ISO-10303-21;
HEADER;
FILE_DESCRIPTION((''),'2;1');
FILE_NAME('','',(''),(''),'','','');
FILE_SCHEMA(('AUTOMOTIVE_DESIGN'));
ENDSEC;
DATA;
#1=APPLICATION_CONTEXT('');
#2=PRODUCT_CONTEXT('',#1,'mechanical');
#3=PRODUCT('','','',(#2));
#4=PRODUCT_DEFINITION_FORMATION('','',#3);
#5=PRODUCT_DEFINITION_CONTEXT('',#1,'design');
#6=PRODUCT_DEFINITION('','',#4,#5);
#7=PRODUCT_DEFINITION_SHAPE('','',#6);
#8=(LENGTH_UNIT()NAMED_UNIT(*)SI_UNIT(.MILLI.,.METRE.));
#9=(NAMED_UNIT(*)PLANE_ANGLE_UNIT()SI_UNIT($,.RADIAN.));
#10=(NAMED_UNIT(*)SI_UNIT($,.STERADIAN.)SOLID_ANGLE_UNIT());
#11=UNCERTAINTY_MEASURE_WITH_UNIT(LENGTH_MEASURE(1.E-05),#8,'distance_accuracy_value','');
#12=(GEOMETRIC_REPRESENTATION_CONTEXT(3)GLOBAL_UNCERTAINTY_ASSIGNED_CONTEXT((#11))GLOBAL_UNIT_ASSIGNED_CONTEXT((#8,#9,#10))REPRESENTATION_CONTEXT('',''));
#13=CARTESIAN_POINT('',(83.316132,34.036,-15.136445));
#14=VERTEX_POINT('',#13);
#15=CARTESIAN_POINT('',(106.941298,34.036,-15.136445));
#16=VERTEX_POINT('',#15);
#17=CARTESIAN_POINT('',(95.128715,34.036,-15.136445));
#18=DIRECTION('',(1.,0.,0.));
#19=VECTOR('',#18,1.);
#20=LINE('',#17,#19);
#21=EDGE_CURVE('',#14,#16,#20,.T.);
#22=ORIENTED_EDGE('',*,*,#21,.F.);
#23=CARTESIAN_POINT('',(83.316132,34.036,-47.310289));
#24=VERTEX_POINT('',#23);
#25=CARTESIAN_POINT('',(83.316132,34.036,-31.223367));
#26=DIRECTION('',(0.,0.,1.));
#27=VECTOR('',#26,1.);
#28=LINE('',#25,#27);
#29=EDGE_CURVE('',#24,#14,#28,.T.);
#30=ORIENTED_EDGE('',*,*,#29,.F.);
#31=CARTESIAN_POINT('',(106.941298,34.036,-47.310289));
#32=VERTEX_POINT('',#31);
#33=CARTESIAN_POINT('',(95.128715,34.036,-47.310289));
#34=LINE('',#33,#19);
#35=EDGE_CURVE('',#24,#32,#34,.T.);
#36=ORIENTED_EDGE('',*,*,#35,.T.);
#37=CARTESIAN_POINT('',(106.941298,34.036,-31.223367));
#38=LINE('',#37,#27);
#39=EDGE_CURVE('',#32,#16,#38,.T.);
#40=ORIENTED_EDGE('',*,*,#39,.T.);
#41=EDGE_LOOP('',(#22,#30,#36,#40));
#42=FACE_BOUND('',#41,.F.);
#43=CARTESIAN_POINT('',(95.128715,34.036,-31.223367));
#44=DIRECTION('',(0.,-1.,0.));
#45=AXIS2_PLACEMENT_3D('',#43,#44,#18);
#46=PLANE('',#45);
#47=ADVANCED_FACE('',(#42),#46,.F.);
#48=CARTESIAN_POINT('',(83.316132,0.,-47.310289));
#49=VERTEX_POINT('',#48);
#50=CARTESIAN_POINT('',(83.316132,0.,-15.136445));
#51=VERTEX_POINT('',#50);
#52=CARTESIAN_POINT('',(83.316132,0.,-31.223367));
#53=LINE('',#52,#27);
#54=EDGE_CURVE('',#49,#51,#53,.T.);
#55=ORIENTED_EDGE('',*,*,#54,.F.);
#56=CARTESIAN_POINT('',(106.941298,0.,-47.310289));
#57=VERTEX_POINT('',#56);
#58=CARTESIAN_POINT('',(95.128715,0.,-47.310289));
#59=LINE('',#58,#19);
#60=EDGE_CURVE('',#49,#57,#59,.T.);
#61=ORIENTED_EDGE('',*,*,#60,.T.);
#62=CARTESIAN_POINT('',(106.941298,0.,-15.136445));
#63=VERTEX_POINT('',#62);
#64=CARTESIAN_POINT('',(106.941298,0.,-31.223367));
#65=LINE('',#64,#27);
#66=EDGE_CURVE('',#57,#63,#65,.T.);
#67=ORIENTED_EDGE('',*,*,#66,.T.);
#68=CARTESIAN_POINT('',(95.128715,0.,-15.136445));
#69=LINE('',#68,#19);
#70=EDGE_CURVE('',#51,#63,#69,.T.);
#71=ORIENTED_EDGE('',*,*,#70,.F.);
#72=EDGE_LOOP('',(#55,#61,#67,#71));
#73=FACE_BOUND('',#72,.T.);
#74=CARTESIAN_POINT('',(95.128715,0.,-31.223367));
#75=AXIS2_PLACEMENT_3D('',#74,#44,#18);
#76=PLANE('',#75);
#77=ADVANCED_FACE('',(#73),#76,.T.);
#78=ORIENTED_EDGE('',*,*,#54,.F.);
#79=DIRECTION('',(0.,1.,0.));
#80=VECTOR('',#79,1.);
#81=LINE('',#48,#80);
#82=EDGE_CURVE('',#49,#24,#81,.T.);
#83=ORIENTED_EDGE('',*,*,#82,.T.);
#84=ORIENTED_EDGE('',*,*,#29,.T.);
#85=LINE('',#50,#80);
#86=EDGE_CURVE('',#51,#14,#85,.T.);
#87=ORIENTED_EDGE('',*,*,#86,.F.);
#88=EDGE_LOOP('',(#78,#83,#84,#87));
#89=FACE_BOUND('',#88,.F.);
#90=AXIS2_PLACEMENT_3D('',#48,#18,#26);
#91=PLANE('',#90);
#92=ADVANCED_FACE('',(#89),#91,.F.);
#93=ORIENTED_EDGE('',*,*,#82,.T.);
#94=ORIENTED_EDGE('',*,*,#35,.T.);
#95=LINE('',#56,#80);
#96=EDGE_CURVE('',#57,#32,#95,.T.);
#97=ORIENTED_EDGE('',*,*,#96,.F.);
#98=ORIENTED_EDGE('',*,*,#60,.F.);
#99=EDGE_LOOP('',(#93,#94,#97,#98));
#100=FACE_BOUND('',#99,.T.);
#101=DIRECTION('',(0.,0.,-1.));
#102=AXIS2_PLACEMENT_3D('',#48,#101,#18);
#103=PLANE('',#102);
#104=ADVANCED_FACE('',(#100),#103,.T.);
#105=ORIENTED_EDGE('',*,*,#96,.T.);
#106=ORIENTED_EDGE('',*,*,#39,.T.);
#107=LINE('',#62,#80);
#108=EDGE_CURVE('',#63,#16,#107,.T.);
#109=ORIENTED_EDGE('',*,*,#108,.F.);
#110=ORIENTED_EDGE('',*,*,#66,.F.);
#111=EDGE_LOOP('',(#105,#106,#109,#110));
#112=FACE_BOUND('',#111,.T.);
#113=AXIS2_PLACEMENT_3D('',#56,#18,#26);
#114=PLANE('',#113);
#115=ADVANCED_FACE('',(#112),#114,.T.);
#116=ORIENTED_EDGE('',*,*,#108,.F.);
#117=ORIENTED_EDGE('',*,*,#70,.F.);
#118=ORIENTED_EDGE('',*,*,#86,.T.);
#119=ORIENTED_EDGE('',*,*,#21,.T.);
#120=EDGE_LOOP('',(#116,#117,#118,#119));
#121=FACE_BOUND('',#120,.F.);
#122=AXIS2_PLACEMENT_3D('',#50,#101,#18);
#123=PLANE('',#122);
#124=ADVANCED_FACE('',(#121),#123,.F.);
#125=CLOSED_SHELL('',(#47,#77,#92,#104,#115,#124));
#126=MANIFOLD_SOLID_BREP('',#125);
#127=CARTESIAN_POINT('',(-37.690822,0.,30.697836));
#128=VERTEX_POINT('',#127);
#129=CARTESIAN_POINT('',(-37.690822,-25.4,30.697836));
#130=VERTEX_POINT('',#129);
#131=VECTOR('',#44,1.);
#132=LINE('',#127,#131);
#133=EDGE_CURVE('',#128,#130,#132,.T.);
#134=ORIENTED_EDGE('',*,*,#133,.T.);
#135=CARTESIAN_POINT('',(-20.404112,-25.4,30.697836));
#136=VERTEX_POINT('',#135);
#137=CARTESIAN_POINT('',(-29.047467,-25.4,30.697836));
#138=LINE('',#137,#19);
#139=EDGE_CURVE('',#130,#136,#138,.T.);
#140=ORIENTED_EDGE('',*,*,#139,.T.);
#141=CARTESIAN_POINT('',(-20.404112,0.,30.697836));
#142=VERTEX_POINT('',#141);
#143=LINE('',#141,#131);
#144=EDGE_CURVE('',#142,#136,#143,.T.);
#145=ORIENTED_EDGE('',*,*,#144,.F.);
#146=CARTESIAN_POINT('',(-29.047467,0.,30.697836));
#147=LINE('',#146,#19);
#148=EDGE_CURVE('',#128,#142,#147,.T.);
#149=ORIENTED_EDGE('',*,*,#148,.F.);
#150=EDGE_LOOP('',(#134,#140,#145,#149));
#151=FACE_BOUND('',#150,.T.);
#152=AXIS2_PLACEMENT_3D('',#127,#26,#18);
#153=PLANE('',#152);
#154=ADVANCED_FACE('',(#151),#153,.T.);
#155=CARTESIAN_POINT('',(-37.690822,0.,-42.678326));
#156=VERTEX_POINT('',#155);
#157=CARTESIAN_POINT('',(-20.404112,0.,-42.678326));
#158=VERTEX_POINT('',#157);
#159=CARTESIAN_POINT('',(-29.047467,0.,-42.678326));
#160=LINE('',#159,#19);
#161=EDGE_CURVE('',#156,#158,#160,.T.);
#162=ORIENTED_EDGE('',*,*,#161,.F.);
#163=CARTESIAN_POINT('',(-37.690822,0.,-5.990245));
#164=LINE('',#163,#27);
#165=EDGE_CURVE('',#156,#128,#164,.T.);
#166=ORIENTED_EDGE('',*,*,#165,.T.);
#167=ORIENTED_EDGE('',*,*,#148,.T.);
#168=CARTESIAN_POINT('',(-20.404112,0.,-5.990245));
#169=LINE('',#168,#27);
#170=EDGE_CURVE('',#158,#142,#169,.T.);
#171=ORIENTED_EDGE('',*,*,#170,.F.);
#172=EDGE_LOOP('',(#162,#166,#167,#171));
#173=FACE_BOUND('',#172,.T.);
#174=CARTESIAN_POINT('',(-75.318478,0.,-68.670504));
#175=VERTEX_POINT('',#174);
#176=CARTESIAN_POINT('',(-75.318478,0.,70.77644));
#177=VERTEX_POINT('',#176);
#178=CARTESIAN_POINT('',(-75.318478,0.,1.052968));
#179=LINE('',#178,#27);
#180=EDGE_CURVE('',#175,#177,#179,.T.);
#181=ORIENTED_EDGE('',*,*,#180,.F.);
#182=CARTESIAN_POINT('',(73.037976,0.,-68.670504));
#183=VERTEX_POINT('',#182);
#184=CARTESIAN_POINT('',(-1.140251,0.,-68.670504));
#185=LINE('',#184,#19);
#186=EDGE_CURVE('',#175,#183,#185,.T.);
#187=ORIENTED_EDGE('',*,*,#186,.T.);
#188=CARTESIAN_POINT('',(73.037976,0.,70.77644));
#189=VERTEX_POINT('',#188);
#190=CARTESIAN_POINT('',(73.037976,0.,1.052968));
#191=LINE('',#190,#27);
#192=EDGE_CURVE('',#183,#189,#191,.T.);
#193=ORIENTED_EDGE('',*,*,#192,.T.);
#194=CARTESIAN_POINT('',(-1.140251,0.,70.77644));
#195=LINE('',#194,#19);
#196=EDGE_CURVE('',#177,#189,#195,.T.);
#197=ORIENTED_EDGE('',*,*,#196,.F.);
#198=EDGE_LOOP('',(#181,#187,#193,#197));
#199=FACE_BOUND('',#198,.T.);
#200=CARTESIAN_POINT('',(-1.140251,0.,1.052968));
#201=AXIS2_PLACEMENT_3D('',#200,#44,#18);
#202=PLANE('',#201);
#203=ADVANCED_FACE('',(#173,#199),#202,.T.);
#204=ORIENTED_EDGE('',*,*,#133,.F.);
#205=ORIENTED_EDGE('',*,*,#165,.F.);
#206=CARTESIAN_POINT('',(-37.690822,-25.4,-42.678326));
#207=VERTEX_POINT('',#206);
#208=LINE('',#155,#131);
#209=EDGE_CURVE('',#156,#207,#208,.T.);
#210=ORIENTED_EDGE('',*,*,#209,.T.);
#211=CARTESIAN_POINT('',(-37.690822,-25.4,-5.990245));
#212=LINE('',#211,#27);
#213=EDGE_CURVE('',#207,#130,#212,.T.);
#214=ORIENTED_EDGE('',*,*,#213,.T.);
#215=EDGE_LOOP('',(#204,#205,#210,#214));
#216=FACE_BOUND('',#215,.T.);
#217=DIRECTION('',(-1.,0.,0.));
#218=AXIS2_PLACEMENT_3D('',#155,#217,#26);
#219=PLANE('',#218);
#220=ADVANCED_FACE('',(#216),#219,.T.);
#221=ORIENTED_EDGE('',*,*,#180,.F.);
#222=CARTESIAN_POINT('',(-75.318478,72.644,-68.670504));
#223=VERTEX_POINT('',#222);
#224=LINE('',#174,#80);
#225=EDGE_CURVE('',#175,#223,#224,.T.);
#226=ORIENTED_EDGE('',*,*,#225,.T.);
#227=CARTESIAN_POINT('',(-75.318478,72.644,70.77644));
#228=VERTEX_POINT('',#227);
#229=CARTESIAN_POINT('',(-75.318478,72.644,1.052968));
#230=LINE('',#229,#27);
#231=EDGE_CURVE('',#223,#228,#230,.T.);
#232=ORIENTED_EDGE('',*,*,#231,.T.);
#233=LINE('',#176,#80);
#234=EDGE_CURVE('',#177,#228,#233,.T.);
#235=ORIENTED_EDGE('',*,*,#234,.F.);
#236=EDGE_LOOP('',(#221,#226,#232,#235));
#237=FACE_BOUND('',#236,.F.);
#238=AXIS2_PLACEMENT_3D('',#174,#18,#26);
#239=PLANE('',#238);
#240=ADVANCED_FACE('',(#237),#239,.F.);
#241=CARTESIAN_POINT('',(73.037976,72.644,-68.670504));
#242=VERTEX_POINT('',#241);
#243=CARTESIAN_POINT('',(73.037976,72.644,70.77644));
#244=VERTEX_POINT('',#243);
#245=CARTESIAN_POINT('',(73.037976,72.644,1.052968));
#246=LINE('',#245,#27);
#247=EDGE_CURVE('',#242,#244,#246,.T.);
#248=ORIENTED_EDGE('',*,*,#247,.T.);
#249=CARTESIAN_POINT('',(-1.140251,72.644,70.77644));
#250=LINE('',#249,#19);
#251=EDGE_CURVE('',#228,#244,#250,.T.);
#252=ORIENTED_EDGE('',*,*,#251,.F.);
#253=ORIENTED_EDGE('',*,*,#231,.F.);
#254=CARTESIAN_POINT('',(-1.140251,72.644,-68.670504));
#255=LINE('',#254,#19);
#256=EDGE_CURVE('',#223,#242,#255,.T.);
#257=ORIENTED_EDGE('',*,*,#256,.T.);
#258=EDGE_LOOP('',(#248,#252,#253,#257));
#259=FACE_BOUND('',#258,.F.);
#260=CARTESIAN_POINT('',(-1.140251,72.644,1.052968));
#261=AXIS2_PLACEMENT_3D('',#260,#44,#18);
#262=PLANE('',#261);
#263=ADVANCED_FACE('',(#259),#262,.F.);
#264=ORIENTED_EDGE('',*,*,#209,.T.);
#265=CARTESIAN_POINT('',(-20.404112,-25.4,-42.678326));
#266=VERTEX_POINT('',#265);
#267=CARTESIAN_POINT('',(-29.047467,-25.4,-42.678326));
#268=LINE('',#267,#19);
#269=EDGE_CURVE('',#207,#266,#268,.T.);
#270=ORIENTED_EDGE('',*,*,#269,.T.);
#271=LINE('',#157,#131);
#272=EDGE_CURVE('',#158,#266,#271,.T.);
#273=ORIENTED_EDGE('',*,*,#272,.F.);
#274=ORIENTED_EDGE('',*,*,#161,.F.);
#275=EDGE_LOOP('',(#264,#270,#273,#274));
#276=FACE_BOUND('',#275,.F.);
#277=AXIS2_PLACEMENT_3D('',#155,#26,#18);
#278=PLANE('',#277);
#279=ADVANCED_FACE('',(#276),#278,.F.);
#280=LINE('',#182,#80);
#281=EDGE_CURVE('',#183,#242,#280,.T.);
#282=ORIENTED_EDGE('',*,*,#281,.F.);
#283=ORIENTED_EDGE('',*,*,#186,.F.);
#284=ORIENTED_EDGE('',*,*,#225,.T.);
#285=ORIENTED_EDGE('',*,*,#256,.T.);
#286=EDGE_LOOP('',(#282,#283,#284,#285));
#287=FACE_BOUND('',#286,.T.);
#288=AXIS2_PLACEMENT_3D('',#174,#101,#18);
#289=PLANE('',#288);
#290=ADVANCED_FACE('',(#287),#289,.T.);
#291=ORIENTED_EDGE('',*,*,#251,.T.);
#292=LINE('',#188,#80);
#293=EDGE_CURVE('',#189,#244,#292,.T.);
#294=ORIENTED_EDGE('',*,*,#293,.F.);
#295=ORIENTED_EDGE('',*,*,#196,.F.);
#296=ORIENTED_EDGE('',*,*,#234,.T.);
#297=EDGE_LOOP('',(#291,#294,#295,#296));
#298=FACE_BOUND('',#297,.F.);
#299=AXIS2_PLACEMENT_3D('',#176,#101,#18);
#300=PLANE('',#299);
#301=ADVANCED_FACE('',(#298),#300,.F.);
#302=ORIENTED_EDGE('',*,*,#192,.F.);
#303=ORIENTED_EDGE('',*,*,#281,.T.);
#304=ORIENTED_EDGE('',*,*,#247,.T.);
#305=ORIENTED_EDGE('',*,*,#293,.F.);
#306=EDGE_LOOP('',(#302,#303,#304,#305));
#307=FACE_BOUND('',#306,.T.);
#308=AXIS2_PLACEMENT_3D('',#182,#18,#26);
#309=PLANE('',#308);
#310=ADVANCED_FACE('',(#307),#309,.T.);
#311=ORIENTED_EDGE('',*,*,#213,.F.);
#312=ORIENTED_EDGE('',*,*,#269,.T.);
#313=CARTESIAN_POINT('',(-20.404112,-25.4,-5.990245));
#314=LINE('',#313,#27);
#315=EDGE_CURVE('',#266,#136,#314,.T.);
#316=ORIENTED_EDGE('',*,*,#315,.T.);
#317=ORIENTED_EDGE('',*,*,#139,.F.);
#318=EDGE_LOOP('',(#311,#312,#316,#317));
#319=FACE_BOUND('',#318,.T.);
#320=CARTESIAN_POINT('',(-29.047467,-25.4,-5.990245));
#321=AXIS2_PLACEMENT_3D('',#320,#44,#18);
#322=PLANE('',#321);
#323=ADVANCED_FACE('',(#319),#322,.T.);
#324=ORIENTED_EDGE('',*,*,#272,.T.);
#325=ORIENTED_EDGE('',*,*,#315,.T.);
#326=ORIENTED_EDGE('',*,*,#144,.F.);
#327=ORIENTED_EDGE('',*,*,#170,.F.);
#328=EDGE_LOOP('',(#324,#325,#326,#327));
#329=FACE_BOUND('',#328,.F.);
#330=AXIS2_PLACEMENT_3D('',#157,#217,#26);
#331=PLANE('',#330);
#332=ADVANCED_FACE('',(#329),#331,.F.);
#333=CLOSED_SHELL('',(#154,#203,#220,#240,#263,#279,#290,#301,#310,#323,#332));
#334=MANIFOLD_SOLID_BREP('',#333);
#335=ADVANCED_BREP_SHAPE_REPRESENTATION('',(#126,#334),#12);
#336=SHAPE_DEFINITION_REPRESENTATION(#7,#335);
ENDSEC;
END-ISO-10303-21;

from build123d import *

# Parameters (mm, degrees)
F0_W     = 148.356453
F0_H     = 139.446944
F1_DEPTH = 72.644
F2_W     = 17.28671
F2_H     = 73.376162
F3_DEPTH = 25.4
F4_W     = 23.625166
F4_H     = 32.173844
F5_DEPTH = 34.036


with BuildPart() as f1:
    # F0 (on Front) → F1 (new body)
    with BuildSketch(Plane.XZ):
        with Locations((-1.140251, 1.052968)):
            Rectangle(F0_W, F0_H)
    extrude(amount=-F1_DEPTH)

    # F2 (on Front) → F3 (join)
    with BuildSketch(Plane.XZ):
        with Locations((-29.047467, -5.990245)):
            Rectangle(F2_W, F2_H)
    extrude(amount=F3_DEPTH)


with BuildPart() as f5:
    # F4 (on Front) → F5 (new body)
    with BuildSketch(Plane.XZ):
        with Locations((95.128715, -31.223367)):
            Rectangle(F4_W, F4_H)
    extrude(amount=-F5_DEPTH)


solid = Compound([f1.part, f5.part])
